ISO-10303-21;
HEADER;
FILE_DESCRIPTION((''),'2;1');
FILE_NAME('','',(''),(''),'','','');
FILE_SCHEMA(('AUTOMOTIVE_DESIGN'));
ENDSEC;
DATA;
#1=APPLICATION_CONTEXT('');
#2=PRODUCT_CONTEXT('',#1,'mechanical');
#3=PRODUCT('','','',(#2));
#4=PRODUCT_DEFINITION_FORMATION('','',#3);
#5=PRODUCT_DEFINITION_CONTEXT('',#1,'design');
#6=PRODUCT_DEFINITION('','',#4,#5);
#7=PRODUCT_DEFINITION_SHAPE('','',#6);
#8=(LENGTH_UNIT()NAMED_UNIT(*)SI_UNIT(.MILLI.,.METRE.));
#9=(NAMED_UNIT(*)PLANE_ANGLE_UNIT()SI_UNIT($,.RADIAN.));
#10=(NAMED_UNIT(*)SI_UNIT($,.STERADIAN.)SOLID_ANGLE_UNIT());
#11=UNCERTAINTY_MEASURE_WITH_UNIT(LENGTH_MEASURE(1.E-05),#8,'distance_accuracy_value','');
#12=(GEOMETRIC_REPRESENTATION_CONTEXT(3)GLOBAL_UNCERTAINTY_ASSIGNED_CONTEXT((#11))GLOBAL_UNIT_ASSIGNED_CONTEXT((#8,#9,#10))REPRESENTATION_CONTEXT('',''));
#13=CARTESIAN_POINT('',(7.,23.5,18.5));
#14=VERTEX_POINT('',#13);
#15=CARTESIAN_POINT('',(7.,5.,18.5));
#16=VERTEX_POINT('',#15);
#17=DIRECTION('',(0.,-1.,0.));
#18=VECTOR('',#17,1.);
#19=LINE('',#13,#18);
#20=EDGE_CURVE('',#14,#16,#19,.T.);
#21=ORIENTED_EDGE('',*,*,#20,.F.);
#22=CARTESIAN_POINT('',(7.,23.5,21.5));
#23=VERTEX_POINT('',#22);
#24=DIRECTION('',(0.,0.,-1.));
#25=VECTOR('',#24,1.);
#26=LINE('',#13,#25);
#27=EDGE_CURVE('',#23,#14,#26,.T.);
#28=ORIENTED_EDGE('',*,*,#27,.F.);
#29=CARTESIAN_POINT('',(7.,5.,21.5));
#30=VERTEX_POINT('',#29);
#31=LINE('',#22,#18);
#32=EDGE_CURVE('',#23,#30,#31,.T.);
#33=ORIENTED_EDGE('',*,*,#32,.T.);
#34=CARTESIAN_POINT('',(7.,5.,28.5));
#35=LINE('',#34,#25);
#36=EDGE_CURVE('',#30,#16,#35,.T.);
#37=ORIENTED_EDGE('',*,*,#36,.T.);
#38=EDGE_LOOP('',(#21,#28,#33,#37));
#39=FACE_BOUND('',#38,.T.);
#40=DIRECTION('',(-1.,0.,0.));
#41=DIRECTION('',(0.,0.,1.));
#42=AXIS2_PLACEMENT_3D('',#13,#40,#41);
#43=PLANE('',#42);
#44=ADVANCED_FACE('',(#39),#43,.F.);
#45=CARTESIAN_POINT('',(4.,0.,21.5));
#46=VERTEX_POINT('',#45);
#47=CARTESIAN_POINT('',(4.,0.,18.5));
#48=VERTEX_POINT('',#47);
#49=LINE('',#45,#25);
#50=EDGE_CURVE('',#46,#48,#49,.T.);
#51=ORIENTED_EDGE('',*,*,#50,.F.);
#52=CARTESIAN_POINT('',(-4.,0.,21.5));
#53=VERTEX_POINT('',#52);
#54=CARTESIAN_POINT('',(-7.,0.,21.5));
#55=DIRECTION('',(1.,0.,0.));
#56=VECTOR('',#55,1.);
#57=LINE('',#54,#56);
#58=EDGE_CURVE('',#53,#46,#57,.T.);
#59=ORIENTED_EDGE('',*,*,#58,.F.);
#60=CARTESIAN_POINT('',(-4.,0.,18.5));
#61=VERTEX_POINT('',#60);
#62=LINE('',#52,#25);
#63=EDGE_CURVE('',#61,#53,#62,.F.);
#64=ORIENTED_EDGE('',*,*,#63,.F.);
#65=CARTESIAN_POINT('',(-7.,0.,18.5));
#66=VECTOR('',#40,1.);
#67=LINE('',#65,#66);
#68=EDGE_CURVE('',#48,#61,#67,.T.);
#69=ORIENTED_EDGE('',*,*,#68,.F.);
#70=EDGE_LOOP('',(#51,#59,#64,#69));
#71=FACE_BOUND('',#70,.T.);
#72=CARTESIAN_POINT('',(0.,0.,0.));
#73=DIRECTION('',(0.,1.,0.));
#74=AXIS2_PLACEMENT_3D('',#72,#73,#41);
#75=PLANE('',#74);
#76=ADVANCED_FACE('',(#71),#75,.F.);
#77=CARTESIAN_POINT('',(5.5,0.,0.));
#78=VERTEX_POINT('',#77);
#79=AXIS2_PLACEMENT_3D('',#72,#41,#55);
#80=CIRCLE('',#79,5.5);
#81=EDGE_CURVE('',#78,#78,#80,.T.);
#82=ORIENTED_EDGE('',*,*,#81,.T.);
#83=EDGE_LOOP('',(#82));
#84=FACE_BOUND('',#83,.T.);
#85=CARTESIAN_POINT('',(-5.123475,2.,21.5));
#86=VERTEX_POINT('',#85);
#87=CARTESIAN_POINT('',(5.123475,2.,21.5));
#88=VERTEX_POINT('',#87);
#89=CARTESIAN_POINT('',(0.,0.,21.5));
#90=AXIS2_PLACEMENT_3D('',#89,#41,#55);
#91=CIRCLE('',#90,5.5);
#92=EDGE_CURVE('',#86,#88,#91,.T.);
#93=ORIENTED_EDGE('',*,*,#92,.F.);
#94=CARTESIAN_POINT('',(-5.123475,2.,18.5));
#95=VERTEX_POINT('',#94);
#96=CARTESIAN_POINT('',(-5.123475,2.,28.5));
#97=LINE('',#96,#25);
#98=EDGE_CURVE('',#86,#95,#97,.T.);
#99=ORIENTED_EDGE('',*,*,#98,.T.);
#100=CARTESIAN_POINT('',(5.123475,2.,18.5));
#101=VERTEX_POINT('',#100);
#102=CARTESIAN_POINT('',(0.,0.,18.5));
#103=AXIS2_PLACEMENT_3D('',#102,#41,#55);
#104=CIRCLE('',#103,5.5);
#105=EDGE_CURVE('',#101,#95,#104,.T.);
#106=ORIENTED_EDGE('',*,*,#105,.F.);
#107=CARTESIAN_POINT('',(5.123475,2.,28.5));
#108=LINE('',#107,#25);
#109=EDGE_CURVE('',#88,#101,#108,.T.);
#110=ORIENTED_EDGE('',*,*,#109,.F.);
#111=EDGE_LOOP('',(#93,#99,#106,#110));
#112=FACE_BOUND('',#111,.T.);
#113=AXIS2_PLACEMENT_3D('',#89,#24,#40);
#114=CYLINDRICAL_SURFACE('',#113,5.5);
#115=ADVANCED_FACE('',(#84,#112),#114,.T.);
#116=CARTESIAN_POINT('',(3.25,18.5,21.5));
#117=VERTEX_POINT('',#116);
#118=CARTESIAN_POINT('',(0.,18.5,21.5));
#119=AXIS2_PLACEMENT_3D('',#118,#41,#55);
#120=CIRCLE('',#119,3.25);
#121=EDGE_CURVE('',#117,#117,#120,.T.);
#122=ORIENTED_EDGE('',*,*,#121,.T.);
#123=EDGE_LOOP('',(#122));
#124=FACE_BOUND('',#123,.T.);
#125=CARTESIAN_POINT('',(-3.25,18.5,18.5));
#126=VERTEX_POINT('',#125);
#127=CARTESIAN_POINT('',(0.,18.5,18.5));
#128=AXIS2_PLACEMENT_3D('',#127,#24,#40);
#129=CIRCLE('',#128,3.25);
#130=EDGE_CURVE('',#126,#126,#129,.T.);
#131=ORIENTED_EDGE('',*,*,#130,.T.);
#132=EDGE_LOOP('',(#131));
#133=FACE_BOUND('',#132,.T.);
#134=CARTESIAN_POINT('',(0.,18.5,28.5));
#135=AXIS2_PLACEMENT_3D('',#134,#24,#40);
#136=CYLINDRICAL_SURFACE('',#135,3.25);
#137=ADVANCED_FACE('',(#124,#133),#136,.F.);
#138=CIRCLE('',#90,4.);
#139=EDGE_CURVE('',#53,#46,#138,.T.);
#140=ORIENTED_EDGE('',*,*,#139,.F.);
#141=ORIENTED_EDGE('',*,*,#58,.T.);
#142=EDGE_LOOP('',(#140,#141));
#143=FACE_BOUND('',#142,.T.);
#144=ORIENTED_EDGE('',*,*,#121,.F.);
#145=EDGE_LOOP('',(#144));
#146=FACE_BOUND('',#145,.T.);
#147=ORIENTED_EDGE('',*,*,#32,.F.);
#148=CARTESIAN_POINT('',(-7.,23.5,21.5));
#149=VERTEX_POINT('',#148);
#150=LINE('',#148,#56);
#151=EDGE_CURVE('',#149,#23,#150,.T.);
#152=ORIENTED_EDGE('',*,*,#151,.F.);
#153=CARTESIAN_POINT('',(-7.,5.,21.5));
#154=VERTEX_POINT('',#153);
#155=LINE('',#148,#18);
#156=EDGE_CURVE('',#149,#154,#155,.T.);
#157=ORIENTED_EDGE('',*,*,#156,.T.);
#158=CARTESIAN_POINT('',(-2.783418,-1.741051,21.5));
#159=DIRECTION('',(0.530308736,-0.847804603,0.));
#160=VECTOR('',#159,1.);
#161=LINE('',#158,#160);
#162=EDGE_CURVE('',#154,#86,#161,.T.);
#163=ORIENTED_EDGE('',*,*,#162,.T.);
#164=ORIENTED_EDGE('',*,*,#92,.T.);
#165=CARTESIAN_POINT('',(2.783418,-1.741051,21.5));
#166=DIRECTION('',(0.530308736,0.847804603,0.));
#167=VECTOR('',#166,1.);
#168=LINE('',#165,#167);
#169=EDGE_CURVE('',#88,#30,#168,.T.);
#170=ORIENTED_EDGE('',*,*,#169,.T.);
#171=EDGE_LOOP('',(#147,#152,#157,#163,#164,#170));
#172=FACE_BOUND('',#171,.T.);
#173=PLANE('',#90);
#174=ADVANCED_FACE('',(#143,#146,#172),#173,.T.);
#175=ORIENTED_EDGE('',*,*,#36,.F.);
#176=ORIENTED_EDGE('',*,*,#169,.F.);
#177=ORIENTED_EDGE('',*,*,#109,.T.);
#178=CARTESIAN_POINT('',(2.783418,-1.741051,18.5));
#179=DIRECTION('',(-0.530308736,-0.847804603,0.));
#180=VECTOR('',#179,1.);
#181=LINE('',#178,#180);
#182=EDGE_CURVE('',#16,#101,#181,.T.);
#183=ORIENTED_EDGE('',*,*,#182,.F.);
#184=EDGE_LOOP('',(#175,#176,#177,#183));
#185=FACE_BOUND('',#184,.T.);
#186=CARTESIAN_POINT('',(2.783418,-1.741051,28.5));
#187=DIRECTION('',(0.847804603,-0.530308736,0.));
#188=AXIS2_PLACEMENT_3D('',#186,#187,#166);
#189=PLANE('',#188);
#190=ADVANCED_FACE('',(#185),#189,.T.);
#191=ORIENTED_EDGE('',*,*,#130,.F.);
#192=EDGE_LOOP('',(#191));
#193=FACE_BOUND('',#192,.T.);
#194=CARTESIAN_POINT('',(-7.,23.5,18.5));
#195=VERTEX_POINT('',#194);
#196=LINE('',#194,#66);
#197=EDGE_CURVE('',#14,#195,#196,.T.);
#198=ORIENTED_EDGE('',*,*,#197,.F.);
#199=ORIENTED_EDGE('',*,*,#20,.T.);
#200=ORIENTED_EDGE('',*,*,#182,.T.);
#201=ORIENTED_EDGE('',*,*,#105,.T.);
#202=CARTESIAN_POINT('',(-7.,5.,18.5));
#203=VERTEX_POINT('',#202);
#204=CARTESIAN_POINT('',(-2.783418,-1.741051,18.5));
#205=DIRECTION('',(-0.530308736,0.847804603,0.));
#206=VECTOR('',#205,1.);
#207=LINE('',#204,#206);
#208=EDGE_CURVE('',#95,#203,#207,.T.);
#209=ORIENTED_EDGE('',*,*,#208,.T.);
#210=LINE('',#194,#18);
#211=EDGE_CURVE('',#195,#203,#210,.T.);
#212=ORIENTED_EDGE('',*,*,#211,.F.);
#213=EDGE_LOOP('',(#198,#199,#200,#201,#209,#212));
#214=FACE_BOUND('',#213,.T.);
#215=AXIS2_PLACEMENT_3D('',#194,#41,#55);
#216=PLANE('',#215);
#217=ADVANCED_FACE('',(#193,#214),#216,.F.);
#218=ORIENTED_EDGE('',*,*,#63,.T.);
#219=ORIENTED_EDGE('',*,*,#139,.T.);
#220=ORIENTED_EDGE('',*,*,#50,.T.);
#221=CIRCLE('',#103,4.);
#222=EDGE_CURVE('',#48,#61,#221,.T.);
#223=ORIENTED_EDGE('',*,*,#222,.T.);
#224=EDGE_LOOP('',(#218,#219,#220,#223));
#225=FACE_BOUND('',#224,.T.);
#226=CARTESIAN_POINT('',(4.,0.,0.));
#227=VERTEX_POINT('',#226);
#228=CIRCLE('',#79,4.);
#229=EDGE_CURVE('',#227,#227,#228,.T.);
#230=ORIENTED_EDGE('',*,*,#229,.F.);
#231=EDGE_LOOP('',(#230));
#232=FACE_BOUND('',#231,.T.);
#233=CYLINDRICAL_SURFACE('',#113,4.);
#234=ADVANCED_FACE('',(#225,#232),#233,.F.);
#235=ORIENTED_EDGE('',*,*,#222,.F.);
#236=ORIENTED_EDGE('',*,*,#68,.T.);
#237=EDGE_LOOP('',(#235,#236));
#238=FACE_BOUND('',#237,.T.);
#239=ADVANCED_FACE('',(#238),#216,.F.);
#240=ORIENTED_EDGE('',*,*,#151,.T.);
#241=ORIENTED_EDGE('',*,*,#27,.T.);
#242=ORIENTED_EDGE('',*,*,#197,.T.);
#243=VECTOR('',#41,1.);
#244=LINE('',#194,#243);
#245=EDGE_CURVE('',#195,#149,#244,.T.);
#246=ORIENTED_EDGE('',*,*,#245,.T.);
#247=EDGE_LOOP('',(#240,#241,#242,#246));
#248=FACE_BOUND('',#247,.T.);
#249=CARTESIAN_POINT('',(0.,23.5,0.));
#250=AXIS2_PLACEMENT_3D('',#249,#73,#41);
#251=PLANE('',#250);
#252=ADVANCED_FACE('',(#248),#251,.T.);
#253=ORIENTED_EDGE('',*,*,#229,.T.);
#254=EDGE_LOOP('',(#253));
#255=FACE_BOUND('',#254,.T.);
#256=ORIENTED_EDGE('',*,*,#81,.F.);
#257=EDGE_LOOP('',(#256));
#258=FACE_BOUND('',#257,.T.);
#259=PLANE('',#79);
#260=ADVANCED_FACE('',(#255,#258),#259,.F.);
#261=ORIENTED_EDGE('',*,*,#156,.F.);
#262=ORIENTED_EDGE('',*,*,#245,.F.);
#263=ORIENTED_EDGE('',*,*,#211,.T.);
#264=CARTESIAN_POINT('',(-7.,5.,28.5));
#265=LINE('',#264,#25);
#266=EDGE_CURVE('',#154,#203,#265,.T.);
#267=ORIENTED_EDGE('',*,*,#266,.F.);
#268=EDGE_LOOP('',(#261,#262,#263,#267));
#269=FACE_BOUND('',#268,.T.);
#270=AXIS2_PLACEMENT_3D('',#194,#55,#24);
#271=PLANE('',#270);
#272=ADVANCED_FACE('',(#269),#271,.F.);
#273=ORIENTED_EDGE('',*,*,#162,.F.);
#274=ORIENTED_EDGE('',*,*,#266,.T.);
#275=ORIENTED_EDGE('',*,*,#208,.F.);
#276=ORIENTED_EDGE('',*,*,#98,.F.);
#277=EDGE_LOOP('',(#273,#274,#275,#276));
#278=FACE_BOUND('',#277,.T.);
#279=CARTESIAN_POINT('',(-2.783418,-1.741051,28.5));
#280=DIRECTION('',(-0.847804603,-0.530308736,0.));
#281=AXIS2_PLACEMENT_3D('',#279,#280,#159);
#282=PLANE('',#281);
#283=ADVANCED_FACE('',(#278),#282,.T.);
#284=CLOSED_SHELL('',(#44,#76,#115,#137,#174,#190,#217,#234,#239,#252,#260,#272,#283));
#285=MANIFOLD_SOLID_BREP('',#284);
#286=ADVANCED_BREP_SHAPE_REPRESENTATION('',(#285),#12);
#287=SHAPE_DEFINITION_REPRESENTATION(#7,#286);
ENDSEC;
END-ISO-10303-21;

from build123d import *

# Parameters (mm, degrees)
SKETCH_1_R          = 5.5
SKETCH_1_R_2        = 4
EXTRUDE_1_DEPTH     = 21.5
SKETCH_2_W          = 14
SKETCH_2_H          = 3
EXTRUDE_2_DEPTH     = 23.5
SKETCH_3_R          = 3.25
CUT_EXTRUDE_1_DEPTH = 10


with BuildPart() as part:
    # 草图1 → 凸台-拉伸1 (new body)
    with BuildSketch(Plane.XY):
        Circle(SKETCH_1_R)
        Circle(SKETCH_1_R_2, mode=Mode.SUBTRACT)
    extrude(amount=EXTRUDE_1_DEPTH)

    # 草图2 → 凸台-拉伸2 (add)
    with BuildSketch(Plane(origin=(0, 0, 0), x_dir=(1, 0, 0), z_dir=(0, 1, 0))):
        with Locations((0, -20)):
            Rectangle(SKETCH_2_W, SKETCH_2_H)
    extrude(amount=EXTRUDE_2_DEPTH)

    # 草图3 → 切除-拉伸1 (cut)
    with BuildSketch(Plane(origin=(0, 0, 18.5), x_dir=(-1, 0, 0), z_dir=(0, 0, -1))):
        with Locations((0, 18.5)):
            Circle(SKETCH_3_R)
        with BuildLine():
            Line((-5.123475383, 2), (-7, 5))
            Line((-7, 5), (-7, 0))
            Line((-7, 0), (-5.5, 0))
            ThreePointArc((-5.5, 0), (-5.405049242, 1.017567048), (-5.123475383, 2))
        make_face()
        with BuildLine():
            Line((7, 5), (5.123475383, 2))
            ThreePointArc((5.123475383, 2), (5.405049242, 1.017567048), (5.5, 0))
            Line((5.5, 0), (7, 0))
            Line((7, 0), (7, 5))
        make_face()
    extrude(amount=-CUT_EXTRUDE_1_DEPTH, mode=Mode.SUBTRACT)


solid = part.part
